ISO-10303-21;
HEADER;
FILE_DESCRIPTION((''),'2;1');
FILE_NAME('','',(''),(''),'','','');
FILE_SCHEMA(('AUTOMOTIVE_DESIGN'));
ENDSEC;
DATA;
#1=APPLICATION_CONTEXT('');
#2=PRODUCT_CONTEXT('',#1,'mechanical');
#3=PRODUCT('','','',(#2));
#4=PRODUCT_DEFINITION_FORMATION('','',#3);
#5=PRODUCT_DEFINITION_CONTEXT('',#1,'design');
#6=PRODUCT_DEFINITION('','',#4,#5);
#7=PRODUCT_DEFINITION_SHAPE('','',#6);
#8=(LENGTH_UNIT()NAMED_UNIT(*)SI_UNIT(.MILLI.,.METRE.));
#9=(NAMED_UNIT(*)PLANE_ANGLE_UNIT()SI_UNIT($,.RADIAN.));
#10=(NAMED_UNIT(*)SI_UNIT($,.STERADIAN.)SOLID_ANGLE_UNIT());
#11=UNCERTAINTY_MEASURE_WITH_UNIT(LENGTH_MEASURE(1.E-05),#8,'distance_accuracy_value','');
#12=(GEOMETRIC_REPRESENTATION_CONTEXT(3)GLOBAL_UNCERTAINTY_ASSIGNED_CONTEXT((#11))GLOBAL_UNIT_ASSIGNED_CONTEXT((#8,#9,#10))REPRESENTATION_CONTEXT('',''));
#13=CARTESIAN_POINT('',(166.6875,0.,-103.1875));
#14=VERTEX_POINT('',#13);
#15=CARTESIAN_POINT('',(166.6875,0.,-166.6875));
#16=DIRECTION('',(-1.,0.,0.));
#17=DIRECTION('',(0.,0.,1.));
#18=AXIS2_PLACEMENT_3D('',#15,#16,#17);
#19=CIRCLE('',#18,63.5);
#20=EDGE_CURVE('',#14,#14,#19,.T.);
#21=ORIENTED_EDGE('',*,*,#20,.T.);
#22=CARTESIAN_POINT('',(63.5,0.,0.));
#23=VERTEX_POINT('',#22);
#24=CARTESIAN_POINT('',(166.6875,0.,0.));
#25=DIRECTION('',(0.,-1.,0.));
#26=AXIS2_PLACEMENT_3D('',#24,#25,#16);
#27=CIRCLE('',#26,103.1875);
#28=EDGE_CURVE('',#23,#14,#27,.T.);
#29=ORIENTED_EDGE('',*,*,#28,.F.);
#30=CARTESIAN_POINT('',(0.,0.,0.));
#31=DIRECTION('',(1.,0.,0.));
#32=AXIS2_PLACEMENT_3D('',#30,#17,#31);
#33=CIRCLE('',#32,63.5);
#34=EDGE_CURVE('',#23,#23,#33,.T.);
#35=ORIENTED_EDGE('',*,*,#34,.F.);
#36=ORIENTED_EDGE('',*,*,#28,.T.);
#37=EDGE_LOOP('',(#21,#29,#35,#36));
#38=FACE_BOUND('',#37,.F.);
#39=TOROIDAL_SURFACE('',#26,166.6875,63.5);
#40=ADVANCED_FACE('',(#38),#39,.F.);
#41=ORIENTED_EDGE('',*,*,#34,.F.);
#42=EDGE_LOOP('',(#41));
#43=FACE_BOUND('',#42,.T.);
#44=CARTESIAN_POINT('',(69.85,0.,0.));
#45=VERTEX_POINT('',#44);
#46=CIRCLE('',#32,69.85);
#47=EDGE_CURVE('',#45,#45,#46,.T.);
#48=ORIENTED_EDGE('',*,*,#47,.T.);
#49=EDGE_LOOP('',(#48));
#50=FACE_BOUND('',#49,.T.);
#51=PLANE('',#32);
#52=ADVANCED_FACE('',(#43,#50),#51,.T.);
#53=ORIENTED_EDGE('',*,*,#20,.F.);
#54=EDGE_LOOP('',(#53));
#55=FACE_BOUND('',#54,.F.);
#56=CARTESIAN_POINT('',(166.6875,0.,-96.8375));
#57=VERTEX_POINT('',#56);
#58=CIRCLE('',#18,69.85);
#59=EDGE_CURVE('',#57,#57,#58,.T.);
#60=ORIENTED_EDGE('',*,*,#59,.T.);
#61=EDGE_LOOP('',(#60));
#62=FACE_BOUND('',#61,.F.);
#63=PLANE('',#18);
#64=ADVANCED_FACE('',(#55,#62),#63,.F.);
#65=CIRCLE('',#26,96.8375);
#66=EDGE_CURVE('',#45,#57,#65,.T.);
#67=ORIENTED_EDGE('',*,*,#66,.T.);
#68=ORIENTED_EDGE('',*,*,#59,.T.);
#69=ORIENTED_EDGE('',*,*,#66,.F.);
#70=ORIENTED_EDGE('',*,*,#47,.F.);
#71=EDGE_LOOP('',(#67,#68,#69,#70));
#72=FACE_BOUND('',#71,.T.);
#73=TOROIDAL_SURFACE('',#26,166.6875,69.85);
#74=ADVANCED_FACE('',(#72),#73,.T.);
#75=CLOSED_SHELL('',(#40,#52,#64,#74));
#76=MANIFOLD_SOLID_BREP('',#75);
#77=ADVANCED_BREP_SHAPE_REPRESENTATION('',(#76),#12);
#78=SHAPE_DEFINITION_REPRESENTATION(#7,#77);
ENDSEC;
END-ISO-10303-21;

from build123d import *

# Parameters (mm, degrees)
F0_R     = 69.85
F0_R_2   = 63.5
F1_ANGLE = 90


with BuildPart() as f1:
    # F0 (on Top) → F1 (revolve)
    with BuildSketch(Plane.XY):
        Circle(F0_R)
        Circle(F0_R_2, mode=Mode.SUBTRACT)
    revolve(axis=Axis((166.6875, -1.052162, 0), (0, -1, 0)), revolution_arc=F1_ANGLE)


solid = f1.part
